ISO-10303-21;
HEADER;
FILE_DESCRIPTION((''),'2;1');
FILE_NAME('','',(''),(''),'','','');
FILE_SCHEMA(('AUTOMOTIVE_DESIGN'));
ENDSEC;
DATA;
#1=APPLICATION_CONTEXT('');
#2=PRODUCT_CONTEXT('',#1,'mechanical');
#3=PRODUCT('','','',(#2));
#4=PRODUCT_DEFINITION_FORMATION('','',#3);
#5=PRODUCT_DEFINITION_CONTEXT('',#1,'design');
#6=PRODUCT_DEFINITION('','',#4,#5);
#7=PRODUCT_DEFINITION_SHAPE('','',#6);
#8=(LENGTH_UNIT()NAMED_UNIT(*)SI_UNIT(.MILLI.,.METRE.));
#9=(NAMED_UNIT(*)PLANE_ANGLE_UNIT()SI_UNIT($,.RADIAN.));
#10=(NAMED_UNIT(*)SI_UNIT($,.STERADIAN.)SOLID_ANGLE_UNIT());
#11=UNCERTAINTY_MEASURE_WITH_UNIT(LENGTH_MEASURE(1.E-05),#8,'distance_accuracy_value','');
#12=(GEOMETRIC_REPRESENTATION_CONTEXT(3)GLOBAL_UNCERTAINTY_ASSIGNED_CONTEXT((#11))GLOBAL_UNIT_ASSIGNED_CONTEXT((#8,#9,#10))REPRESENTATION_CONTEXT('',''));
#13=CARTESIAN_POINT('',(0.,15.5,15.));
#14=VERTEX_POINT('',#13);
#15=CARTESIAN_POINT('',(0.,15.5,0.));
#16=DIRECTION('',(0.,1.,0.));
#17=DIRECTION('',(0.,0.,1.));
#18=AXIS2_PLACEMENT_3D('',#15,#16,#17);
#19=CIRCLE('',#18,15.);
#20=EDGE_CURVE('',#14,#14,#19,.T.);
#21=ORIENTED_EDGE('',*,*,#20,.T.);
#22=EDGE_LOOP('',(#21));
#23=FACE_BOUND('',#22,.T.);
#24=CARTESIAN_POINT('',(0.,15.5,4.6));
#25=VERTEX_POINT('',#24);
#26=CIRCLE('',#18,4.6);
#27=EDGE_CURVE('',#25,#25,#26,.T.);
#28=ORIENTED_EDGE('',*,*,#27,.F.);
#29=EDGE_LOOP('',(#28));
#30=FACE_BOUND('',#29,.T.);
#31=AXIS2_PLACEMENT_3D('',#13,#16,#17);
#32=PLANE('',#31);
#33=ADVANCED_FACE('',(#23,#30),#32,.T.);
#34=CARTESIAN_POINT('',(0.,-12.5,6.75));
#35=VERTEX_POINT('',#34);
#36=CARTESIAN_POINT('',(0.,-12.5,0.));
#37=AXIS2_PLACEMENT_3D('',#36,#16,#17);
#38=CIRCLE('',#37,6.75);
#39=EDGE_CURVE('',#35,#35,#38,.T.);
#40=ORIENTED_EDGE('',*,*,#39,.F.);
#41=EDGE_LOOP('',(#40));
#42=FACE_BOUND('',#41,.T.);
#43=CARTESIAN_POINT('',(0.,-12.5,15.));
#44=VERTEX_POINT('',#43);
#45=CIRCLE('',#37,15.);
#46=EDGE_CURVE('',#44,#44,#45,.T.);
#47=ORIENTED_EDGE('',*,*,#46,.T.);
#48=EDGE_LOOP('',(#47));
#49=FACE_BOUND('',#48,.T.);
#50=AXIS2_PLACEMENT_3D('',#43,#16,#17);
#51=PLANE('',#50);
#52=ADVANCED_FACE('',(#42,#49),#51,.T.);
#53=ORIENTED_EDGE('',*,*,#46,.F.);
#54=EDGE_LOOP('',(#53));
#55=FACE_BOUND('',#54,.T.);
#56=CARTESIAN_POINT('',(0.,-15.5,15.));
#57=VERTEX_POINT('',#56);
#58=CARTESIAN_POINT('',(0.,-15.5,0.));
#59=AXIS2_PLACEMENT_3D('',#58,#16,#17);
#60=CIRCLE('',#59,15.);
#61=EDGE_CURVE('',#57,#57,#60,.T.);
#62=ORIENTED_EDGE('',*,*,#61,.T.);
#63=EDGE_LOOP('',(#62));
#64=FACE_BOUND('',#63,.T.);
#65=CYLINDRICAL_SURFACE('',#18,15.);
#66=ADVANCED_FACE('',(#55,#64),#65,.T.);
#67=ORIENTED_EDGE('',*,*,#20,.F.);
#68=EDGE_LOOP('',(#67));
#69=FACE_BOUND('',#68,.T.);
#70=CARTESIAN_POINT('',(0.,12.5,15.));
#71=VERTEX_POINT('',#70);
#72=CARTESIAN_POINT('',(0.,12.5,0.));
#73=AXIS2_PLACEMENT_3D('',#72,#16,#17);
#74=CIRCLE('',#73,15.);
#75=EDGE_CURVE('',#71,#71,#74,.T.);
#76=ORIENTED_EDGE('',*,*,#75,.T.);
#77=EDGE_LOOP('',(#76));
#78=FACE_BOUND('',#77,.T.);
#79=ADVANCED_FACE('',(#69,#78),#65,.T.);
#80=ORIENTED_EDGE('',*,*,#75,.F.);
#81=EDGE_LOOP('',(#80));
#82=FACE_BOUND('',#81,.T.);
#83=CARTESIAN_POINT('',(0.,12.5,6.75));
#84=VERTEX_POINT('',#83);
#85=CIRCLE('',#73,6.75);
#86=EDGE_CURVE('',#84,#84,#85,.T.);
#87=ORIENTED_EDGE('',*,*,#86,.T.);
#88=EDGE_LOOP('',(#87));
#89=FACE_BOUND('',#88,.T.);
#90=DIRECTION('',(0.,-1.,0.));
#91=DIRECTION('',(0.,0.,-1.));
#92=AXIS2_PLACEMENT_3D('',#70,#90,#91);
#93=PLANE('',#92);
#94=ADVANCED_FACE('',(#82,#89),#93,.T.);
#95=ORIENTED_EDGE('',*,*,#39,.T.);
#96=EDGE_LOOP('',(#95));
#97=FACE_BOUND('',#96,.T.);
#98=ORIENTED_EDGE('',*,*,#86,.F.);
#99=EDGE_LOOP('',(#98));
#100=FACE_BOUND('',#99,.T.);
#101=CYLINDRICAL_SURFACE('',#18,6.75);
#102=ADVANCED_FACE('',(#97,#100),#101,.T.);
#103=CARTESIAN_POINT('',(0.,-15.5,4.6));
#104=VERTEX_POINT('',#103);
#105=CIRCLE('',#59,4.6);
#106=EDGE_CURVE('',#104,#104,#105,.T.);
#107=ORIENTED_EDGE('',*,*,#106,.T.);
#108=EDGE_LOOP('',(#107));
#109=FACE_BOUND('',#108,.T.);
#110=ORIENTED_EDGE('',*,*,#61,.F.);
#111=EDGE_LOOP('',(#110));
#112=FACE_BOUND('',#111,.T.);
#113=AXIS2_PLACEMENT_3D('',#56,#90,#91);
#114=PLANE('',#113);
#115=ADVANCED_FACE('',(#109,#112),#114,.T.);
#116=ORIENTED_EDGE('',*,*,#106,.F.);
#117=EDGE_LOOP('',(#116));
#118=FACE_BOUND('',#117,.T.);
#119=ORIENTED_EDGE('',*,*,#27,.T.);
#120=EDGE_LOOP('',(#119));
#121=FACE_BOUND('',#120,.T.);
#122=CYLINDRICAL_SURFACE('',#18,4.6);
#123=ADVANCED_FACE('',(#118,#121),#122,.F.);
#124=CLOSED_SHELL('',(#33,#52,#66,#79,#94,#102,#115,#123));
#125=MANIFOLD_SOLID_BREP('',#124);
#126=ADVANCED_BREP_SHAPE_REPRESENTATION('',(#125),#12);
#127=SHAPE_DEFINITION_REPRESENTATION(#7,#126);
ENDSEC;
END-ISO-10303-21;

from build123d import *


with BuildPart() as part:
    # Sketch2 → Revolve1 (revolve)
    with BuildSketch(Plane(origin=(0, 0, 0), x_dir=(0, 0, -1), z_dir=(1, 0, 0))):
        Polygon((-15, 15.5), (-15, 12.5), (-6.75, 12.5), (-6.75, -12.5), (-15, -12.5), (-15, -15.5), (-4.6, -15.5), (-4.6, 15.5), align=None)
    revolve(axis=Axis((0, 15.5, 0), (0, -1, 0)))


solid = part.part
